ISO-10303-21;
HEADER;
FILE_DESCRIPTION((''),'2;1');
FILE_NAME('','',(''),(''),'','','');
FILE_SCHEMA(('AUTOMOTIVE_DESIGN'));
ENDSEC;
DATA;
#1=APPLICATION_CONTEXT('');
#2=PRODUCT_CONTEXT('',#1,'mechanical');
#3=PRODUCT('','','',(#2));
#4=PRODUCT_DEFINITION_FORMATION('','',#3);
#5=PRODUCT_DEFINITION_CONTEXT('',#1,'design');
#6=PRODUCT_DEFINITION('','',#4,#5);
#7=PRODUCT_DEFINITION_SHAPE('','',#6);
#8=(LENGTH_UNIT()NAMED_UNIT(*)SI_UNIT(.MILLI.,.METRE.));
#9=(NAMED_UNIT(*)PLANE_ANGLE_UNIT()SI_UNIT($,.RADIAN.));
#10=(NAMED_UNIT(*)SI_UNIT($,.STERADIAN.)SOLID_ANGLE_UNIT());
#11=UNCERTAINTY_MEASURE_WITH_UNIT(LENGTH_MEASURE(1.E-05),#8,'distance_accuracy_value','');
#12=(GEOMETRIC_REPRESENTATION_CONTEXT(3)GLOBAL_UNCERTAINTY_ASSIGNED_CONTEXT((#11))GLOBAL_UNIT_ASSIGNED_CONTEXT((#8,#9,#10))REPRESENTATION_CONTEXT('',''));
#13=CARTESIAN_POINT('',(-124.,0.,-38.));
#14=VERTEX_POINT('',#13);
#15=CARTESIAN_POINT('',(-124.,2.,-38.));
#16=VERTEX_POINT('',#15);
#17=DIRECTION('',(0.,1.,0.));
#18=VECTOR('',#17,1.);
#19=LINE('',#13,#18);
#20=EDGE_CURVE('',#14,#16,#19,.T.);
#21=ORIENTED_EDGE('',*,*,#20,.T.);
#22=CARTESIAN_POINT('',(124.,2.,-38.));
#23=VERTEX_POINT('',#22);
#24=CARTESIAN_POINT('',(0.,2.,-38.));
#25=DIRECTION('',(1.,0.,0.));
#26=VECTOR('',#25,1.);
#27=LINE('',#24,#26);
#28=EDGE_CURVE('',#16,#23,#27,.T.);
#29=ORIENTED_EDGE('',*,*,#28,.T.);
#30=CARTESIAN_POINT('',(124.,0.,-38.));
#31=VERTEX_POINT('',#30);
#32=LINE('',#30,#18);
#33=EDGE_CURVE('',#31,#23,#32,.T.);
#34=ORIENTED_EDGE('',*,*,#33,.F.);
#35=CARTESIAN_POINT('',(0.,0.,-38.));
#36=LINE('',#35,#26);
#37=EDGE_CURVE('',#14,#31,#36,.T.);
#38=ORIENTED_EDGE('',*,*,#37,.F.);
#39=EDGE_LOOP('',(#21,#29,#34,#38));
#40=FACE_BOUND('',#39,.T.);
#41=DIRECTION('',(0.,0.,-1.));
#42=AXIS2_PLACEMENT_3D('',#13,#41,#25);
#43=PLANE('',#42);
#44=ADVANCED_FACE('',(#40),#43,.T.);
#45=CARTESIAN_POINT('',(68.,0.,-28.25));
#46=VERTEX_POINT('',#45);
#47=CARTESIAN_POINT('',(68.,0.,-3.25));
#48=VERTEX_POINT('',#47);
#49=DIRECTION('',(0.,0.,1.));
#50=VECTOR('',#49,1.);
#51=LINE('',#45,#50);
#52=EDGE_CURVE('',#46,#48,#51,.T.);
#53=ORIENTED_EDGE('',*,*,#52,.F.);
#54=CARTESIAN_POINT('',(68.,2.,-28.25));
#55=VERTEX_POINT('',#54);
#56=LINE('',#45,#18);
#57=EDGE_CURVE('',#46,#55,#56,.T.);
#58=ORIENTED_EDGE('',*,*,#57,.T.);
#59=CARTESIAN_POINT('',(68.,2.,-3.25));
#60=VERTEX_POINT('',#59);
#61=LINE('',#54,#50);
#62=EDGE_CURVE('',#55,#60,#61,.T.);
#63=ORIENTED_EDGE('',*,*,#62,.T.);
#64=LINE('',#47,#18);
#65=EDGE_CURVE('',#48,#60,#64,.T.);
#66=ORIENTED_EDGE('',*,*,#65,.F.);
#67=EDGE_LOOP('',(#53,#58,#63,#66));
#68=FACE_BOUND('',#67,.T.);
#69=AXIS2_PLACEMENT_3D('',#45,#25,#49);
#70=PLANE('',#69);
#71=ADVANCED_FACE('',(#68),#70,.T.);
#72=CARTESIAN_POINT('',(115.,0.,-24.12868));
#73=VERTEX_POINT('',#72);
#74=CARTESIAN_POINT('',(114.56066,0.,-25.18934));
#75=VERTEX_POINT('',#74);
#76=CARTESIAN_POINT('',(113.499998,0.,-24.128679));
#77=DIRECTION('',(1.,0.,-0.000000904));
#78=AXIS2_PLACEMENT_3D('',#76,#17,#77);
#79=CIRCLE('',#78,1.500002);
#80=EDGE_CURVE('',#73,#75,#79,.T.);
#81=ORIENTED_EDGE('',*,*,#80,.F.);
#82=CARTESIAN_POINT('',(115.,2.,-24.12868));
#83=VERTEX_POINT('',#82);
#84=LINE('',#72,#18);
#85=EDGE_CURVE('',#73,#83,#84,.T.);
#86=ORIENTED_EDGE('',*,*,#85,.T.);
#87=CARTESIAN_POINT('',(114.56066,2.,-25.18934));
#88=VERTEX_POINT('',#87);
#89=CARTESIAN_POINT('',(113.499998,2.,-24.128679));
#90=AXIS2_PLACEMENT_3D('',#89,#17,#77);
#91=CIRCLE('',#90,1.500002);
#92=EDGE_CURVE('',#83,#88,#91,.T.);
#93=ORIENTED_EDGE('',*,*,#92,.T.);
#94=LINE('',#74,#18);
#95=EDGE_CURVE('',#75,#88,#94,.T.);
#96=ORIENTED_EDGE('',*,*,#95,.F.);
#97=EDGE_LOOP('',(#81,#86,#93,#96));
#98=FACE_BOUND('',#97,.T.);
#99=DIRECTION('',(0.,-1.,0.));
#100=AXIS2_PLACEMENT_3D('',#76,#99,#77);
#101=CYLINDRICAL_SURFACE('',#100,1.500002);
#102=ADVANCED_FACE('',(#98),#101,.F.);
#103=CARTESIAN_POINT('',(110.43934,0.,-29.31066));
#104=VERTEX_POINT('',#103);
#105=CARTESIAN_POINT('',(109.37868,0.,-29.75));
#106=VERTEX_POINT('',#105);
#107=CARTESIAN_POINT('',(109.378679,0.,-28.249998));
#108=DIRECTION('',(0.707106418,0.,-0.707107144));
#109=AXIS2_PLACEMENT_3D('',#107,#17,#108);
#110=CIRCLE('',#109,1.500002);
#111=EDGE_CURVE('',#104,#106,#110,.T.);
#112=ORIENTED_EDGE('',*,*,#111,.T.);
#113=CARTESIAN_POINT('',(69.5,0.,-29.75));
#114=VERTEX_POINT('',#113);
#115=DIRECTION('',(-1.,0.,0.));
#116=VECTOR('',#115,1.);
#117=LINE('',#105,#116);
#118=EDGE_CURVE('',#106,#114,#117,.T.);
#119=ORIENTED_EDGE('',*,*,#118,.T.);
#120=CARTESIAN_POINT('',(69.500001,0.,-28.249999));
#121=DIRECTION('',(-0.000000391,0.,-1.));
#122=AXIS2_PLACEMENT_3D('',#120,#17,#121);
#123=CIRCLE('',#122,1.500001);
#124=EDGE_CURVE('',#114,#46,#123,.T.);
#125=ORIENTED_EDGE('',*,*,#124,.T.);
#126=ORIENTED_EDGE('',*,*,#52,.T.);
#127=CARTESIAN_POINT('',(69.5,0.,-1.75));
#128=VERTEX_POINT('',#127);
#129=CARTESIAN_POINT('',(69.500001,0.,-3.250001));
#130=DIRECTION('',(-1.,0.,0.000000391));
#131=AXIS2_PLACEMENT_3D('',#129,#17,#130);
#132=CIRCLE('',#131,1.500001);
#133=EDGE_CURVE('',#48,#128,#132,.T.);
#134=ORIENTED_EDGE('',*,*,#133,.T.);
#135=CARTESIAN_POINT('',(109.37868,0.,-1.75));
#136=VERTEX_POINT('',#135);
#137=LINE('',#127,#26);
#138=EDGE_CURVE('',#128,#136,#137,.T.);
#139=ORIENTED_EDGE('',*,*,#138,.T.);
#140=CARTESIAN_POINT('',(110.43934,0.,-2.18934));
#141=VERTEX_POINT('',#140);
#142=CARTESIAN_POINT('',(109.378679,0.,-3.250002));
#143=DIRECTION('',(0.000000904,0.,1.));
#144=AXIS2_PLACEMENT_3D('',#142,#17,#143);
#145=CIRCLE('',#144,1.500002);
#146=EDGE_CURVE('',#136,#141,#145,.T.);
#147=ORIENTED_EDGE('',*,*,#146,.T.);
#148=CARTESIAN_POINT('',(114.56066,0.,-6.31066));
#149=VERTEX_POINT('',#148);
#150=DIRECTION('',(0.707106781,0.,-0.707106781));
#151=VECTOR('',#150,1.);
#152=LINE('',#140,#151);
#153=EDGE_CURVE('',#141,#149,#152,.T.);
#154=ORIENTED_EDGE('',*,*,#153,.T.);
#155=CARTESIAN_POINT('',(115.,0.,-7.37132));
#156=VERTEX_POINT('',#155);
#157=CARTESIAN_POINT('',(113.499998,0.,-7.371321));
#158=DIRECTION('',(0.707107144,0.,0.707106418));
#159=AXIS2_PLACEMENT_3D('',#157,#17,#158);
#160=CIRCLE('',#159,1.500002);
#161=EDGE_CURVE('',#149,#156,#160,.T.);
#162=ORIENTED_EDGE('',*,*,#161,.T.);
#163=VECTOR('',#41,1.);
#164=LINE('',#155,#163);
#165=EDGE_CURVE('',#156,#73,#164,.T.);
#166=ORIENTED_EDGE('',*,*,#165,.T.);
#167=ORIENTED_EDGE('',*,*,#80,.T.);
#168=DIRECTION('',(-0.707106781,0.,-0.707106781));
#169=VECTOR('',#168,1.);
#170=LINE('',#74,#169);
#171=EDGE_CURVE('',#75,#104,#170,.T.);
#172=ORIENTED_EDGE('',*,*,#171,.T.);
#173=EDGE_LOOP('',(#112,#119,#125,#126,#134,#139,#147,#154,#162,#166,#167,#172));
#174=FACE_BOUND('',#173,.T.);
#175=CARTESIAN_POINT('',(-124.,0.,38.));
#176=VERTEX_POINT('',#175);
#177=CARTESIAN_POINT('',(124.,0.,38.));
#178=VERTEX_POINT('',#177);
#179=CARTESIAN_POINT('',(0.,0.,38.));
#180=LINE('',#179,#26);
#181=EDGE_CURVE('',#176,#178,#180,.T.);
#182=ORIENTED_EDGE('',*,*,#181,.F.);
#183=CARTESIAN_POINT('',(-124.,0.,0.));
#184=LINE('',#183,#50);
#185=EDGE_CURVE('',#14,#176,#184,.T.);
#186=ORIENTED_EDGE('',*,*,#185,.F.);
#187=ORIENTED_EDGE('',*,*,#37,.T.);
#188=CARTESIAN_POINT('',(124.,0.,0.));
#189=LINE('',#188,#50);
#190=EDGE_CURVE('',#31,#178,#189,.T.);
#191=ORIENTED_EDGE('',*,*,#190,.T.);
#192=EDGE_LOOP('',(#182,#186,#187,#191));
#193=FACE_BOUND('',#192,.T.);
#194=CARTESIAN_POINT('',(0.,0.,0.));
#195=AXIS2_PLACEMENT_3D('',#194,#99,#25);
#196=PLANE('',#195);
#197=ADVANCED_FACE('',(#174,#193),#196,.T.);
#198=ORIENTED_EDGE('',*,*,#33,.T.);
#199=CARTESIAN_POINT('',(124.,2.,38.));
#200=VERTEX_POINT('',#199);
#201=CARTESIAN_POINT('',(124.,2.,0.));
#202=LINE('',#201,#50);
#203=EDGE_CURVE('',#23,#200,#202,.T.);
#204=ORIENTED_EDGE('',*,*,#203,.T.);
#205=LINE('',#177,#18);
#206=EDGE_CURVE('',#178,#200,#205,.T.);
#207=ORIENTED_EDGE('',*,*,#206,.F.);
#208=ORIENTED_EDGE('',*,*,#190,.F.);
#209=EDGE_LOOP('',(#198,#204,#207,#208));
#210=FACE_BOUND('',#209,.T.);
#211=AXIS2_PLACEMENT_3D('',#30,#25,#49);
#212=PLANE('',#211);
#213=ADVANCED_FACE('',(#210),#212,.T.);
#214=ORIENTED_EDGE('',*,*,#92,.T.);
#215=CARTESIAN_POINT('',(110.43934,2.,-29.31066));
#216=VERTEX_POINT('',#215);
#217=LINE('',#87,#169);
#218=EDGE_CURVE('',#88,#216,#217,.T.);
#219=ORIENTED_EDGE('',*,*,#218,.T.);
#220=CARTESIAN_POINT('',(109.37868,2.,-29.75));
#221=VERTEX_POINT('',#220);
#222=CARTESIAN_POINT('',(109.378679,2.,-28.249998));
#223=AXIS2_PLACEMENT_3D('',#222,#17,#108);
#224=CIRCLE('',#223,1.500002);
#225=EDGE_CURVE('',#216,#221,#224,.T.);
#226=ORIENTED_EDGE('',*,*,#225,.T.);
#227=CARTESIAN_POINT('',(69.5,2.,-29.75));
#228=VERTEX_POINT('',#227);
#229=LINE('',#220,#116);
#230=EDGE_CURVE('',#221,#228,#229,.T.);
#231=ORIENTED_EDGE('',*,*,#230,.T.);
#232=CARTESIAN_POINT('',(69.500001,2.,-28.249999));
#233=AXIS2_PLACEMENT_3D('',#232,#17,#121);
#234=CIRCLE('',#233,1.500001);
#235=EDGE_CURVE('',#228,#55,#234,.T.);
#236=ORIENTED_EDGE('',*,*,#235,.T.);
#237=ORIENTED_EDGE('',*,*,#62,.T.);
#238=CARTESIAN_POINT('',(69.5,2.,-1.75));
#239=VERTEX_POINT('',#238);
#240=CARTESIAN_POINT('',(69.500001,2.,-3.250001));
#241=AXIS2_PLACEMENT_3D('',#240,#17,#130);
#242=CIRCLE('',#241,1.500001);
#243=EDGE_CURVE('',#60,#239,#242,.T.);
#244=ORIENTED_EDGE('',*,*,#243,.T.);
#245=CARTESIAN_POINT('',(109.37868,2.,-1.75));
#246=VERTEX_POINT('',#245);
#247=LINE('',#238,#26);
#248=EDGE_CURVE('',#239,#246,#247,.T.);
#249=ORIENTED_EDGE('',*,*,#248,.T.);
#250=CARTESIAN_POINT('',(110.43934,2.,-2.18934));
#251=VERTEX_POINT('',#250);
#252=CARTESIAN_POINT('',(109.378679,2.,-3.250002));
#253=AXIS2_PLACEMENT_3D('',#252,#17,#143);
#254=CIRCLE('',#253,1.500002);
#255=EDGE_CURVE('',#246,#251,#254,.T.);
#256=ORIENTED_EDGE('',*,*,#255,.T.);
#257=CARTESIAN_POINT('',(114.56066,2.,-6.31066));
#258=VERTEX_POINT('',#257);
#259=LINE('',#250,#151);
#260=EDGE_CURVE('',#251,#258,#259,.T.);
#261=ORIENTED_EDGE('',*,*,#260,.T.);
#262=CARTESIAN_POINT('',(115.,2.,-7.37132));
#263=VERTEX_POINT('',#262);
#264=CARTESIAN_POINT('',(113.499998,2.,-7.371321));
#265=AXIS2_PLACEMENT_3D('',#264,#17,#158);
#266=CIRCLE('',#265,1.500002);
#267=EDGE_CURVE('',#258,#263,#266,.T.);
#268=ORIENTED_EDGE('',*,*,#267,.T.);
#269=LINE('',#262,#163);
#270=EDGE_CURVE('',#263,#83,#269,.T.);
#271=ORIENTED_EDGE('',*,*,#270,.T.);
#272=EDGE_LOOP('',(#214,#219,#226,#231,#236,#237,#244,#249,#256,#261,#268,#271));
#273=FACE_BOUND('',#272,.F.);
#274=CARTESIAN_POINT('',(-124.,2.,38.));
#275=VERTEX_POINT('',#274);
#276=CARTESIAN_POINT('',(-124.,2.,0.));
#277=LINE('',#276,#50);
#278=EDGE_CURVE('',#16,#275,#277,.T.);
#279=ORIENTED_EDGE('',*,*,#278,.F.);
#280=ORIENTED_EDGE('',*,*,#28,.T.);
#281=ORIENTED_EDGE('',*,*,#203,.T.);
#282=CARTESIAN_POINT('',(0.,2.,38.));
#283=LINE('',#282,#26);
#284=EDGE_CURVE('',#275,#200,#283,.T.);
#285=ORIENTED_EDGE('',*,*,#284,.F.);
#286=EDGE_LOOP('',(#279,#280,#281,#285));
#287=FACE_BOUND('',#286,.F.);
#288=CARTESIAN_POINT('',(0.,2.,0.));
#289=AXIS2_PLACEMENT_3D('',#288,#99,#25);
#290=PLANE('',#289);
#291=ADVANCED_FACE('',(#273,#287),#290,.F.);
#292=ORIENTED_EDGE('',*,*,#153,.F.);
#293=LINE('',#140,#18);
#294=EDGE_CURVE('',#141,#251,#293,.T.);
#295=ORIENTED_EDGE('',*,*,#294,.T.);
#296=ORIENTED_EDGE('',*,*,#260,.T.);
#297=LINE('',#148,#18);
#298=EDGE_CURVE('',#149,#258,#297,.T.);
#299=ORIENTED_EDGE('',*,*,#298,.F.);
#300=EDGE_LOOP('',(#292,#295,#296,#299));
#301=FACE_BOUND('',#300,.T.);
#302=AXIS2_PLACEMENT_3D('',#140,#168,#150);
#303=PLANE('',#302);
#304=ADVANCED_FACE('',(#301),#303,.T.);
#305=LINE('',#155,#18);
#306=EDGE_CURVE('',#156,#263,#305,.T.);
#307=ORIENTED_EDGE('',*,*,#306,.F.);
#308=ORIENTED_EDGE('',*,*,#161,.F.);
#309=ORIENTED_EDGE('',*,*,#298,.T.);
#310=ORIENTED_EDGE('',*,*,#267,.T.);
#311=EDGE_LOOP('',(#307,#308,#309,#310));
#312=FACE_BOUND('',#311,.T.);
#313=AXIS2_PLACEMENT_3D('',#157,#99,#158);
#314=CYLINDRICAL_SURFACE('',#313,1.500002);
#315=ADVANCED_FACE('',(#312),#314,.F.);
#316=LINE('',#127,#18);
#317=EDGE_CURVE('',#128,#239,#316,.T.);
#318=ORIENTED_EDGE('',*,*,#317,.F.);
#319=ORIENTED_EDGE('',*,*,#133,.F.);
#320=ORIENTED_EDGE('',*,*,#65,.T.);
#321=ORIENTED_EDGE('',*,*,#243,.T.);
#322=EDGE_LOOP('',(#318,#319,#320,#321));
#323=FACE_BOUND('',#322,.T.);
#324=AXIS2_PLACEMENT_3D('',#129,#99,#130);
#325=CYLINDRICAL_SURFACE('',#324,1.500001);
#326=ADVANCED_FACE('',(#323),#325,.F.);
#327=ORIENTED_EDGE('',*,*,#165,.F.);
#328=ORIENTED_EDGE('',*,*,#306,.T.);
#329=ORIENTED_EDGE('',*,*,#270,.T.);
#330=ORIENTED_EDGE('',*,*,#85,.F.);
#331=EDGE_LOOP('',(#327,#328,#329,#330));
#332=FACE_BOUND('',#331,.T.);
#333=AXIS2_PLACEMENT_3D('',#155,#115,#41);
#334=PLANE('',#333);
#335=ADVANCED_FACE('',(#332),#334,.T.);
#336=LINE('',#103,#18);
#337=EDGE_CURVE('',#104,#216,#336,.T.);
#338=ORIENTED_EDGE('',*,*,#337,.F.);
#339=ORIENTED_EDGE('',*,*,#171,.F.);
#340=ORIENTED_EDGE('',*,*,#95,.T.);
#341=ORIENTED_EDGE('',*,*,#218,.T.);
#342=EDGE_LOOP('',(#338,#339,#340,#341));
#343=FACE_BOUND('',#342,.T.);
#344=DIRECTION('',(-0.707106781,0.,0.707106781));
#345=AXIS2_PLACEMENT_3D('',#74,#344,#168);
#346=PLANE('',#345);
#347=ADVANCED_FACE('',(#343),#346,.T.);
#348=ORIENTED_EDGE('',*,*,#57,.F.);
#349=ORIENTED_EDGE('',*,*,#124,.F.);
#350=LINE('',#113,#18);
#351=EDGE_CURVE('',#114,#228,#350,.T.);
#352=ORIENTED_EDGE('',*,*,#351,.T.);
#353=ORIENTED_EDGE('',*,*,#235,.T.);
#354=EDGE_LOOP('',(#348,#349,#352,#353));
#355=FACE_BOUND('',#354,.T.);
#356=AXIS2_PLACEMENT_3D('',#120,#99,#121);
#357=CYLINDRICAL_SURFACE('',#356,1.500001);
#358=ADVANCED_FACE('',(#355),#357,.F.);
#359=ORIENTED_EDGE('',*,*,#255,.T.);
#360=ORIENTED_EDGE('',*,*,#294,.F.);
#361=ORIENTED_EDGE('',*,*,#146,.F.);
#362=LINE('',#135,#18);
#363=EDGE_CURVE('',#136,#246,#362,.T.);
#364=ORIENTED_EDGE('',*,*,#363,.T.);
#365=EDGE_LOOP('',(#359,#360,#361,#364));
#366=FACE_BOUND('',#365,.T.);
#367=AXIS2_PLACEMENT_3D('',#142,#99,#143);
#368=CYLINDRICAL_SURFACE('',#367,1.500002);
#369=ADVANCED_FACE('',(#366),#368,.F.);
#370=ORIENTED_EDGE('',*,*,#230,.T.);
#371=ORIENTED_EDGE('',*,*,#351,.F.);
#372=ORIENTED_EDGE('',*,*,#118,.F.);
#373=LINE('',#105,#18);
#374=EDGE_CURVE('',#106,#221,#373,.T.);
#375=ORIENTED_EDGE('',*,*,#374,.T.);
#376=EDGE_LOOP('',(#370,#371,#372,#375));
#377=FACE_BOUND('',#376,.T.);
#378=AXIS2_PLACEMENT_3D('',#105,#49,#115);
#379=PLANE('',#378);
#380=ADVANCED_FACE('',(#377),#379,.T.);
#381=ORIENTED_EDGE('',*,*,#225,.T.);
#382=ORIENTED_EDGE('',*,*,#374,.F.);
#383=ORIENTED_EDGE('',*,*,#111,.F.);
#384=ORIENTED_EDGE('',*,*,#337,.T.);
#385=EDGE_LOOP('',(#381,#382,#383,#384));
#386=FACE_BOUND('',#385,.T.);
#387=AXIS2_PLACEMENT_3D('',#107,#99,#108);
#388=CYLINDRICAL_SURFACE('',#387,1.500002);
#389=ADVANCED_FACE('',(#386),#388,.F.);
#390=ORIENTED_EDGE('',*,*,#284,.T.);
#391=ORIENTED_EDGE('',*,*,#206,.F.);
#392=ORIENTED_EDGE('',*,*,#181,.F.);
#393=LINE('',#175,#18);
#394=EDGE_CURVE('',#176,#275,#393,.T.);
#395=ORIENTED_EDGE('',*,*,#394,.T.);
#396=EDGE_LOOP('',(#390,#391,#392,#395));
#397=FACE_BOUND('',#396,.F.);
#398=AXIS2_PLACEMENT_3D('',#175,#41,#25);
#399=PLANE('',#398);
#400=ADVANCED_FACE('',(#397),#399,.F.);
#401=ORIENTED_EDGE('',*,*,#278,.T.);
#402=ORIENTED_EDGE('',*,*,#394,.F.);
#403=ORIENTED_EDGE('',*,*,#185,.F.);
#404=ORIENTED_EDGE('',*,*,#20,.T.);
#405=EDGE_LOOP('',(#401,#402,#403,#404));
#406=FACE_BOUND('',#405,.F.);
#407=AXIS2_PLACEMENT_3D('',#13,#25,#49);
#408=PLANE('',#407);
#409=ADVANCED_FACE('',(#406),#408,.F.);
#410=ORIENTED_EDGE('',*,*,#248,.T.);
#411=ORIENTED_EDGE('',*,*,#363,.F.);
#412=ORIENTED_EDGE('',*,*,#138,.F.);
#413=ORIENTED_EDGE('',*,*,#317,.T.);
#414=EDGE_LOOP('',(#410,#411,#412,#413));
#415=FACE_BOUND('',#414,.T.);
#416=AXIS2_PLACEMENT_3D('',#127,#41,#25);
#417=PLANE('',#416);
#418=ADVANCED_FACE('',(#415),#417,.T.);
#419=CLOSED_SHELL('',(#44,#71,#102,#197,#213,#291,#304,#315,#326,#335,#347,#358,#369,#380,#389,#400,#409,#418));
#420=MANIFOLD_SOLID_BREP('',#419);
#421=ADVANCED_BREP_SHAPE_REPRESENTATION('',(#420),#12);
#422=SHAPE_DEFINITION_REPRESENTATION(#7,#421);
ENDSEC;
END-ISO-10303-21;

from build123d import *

# Parameters (mm, degrees)
F0_W     = 248
F0_H     = 76
F1_DEPTH = 2


with BuildPart() as f1:
    # F0 (on Front) → F1 (new body)
    with BuildSketch(Plane.XZ):
        Rectangle(F0_W, F0_H)
        with BuildLine():
            ThreePointArc((68, -3.25), (68.43934, -2.18934), (69.5, -1.75))
            Line((69.5, -1.75), (109.37868, -1.75))
            ThreePointArc((109.37868, -1.75), (109.952705, -1.864181), (110.43934, -2.18934))
            Line((110.43934, -2.18934), (114.56066, -6.31066))
            ThreePointArc((114.56066, -6.31066), (114.885819, -6.797295), (115, -7.37132))
            Line((115, -7.37132), (115, -24.12868))
            ThreePointArc((115, -24.12868), (114.885819, -24.702705), (114.56066, -25.18934))
            Line((114.56066, -25.18934), (110.43934, -29.31066))
            ThreePointArc((110.43934, -29.31066), (109.952705, -29.635819), (109.37868, -29.75))
            Line((109.37868, -29.75), (69.5, -29.75))
            ThreePointArc((69.5, -29.75), (68.43934, -29.31066), (68, -28.25))
            Line((68, -28.25), (68, -3.25))
        make_face(mode=Mode.SUBTRACT)
    extrude(amount=-F1_DEPTH)


solid = f1.part
